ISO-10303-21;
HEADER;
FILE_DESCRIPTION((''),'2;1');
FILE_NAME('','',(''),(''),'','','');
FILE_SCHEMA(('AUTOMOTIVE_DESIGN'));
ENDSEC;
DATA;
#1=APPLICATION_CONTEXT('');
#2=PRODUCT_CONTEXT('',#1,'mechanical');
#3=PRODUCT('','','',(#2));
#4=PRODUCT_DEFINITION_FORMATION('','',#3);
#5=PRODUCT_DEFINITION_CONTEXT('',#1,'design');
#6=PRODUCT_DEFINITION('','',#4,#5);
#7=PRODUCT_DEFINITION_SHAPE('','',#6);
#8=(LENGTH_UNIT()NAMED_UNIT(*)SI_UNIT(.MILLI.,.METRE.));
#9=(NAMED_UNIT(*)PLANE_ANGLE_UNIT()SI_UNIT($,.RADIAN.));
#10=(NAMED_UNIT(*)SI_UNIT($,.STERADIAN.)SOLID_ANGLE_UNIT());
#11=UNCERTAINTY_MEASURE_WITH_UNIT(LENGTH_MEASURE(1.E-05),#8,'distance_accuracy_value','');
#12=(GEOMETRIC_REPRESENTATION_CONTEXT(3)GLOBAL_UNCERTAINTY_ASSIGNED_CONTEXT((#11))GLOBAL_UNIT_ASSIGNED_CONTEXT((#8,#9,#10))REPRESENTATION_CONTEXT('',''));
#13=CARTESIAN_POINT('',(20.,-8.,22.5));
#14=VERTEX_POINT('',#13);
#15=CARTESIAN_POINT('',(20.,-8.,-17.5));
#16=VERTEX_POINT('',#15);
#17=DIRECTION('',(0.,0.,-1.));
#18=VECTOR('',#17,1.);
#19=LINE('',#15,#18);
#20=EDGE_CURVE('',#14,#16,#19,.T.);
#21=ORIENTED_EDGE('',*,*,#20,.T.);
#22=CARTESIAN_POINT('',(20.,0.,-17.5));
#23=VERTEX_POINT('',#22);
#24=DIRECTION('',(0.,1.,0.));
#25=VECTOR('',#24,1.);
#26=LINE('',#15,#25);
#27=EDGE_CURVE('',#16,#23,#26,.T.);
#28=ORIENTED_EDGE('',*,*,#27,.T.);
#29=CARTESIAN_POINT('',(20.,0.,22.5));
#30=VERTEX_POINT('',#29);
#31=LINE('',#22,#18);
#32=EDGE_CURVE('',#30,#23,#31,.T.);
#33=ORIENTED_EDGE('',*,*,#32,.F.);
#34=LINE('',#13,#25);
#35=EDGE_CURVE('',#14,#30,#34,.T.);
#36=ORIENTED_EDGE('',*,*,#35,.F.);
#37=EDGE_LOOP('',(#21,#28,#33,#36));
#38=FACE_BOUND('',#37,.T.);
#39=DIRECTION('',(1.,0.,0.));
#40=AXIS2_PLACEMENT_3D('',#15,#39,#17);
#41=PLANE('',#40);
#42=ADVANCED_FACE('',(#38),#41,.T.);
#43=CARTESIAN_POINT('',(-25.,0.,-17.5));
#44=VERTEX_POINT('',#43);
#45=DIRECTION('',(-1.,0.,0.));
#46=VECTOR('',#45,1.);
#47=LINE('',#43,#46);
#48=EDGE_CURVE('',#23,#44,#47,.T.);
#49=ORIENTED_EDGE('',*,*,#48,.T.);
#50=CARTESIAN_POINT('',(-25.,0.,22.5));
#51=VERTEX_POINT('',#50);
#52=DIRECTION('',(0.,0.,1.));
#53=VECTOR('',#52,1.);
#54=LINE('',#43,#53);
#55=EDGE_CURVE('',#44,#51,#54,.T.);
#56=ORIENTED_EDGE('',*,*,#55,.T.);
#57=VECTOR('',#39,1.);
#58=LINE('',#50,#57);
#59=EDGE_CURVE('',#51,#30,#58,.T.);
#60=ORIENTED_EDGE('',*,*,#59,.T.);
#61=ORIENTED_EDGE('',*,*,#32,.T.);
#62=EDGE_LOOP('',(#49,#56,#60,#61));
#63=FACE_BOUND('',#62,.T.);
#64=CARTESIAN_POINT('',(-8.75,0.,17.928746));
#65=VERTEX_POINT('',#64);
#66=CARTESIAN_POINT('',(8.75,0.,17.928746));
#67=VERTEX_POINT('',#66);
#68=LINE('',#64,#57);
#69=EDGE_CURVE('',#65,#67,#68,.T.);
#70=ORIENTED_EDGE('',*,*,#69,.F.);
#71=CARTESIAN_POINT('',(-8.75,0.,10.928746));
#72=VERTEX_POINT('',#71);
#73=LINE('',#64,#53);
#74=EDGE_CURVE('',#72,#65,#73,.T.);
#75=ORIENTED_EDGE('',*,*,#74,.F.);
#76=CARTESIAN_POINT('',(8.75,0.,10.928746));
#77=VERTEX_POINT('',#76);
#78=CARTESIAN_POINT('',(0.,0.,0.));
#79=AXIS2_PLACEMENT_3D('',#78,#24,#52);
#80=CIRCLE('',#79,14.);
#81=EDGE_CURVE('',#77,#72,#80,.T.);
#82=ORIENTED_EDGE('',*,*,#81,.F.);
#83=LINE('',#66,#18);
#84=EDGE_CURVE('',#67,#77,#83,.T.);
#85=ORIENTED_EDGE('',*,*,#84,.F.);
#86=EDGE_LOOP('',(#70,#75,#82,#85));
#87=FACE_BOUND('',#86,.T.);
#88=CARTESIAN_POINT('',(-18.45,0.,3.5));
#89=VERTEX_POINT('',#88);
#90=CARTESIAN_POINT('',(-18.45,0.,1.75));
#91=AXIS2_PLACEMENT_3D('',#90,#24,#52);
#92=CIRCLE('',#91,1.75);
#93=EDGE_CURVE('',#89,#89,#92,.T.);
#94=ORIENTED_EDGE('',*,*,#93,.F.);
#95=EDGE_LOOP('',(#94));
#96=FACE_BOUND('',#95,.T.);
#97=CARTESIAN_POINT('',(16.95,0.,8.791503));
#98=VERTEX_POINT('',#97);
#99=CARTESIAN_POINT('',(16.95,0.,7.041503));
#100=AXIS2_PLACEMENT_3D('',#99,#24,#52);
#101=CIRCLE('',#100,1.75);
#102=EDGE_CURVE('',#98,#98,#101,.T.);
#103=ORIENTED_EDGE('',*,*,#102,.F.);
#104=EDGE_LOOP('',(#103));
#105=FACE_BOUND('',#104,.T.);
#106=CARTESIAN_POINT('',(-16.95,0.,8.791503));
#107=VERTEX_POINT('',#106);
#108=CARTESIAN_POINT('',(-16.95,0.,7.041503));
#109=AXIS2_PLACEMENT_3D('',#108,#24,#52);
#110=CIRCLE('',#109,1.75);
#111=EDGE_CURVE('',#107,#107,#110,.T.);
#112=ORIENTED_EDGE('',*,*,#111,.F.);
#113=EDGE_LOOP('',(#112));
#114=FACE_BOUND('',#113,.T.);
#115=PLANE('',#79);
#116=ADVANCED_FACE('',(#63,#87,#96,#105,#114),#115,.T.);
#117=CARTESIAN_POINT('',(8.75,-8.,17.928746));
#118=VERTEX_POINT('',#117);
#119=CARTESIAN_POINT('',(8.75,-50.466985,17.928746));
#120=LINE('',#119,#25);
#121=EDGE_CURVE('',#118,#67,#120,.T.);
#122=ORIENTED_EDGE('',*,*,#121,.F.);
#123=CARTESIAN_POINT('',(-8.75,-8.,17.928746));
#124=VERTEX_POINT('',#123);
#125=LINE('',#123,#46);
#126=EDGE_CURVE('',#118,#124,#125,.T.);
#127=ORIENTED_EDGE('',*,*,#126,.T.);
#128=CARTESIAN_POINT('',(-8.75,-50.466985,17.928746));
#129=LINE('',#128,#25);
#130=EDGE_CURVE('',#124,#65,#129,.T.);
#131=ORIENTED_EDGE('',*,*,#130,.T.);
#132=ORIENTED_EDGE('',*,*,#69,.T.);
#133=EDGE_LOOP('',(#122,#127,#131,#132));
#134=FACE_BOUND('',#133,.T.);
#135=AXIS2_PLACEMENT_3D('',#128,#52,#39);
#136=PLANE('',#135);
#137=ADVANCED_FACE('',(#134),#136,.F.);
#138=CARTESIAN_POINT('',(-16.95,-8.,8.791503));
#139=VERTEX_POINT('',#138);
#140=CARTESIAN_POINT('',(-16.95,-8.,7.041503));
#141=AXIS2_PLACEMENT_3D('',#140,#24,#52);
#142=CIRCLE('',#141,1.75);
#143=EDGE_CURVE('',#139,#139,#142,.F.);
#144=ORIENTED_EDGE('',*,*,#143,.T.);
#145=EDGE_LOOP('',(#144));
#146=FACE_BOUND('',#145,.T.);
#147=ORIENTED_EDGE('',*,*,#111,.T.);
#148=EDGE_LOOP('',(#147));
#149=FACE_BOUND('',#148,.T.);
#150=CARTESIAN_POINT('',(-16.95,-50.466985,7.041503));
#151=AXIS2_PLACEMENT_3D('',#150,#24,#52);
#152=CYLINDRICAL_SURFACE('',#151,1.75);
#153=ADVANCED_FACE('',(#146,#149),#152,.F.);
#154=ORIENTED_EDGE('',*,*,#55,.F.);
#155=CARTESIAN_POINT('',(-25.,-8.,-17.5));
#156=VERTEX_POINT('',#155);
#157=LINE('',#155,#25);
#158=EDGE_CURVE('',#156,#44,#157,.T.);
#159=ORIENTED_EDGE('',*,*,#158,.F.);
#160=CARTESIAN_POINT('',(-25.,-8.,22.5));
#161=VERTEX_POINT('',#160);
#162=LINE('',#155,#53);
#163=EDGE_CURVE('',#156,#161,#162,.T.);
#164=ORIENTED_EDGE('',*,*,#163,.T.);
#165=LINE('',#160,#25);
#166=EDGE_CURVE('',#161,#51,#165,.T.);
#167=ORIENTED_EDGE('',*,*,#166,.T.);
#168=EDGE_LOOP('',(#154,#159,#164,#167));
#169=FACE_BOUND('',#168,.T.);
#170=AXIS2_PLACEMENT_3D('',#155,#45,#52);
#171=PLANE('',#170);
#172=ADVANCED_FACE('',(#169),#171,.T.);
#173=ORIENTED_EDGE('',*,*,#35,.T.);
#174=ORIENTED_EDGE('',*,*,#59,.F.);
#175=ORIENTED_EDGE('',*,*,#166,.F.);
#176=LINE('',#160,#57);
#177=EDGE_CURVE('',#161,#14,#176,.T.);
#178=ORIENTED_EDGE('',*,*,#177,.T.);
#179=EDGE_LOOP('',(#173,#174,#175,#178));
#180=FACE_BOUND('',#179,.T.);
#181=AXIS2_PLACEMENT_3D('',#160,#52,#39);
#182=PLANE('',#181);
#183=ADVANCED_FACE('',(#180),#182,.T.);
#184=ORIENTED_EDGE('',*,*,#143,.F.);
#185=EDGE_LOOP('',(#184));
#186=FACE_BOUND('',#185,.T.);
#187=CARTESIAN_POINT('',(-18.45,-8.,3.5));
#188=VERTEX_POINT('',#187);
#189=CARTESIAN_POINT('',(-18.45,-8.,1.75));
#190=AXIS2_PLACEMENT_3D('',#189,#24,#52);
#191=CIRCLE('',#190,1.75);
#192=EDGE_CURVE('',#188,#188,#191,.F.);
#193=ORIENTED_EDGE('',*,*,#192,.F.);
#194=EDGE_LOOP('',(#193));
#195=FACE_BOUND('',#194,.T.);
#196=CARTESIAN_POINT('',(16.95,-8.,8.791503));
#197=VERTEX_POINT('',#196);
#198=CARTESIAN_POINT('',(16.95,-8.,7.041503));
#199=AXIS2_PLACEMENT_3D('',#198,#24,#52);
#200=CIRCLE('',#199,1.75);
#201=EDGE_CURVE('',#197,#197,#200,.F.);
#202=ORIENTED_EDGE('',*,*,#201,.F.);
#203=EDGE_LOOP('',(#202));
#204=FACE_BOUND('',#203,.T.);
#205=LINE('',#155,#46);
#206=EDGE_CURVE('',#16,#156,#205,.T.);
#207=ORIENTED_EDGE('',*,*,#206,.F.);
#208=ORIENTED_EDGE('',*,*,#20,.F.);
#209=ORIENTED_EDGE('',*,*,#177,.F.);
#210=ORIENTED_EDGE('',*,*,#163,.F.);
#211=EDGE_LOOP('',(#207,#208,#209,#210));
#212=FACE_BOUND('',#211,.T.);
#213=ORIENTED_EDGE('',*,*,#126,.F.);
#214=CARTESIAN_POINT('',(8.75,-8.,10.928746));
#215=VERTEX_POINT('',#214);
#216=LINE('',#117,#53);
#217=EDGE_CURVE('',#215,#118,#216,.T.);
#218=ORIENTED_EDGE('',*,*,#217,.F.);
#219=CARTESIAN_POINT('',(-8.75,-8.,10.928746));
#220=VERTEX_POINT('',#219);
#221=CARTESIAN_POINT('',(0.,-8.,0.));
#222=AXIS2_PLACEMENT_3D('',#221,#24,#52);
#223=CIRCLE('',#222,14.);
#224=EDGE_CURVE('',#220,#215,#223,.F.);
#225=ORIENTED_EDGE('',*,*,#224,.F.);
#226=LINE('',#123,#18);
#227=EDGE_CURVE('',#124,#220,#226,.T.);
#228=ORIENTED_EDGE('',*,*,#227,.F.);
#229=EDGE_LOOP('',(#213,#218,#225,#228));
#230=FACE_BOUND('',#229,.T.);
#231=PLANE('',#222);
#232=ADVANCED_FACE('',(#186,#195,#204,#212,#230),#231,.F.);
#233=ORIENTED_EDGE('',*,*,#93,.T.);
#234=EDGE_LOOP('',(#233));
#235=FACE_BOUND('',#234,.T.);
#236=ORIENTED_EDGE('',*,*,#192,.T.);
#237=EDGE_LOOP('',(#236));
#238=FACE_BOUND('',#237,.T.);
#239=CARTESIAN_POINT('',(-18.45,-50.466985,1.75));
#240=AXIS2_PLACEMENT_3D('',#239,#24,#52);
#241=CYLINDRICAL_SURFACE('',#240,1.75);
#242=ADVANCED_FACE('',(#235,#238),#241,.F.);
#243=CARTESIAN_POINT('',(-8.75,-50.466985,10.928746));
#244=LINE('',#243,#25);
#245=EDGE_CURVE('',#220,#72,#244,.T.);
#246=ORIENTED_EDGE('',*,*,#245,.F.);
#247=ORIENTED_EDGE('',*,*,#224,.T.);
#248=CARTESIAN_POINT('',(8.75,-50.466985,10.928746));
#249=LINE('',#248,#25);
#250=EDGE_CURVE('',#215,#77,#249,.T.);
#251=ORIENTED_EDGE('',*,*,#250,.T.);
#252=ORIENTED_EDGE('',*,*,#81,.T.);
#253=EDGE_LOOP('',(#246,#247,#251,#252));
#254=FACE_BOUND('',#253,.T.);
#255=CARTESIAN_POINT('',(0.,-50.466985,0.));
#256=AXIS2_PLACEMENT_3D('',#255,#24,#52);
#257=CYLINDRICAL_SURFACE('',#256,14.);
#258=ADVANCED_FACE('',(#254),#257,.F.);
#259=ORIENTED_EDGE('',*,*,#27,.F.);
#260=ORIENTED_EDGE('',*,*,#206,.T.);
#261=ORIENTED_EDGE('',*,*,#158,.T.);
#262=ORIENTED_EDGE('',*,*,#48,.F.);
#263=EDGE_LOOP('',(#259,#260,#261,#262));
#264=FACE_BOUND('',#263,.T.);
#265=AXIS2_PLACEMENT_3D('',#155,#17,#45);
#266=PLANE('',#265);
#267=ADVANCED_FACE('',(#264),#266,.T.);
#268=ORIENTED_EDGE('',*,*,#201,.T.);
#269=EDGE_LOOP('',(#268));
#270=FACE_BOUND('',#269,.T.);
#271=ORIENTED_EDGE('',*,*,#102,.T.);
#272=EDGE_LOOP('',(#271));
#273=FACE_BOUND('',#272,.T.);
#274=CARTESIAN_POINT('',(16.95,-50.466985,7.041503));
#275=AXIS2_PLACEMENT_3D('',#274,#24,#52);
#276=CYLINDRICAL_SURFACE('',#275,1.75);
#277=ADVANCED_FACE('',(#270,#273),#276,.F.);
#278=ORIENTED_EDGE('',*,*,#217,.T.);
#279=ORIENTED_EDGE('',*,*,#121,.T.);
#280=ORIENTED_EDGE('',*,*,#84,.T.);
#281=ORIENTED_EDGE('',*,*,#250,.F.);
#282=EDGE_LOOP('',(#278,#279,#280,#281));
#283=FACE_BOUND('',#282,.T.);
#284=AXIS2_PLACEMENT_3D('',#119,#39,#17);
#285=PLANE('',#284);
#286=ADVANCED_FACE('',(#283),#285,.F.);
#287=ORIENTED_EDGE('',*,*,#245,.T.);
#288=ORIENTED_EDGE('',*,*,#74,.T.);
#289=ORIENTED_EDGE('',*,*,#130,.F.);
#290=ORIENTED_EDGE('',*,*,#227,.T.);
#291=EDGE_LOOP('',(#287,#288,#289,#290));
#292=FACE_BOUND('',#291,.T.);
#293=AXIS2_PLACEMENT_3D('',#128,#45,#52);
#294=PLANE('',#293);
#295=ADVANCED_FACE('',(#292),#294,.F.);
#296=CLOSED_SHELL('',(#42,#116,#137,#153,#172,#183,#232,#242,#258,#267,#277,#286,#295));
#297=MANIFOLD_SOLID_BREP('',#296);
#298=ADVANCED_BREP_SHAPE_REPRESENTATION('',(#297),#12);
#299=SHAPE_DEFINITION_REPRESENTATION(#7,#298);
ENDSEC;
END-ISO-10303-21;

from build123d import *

# Parameters (mm, degrees)
SKETCH2_W                          = 45
SKETCH2_H                          = 40
STEPPER_SLIDER_BOSS_EXTRUDE1_DEPTH = 8
SKETCH1_R                          = 1.75
STEPPER_HOLE_CUT_EXTRUDE1_DEPTH    = 8


with BuildPart() as part:
    # Sketch2 → Stepper Slider Boss-Extrude1 (new body)
    with BuildSketch(Plane(origin=(0, 0, 0), x_dir=(1, 0, 0), z_dir=(0, 1, 0))):
        with Locations((-2.5, -2.5)):
            Rectangle(SKETCH2_W, SKETCH2_H)
    extrude(amount=-STEPPER_SLIDER_BOSS_EXTRUDE1_DEPTH)

    # Sketch1 → Stepper Hole Cut-Extrude1 (cut)
    with BuildSketch(Plane(origin=(0, 0, 0), x_dir=(1, 0, 0), z_dir=(0, 1, 0))):
        with Locations(Location((-18.45, -1.75, 0), (0, 0, 270))):
            Circle(SKETCH1_R)
        with Locations(Location((16.95, -7.041502622, 0), (0, 0, 270))):
            Circle(SKETCH1_R)
        with Locations(Location((-16.95, -7.041502622, 0), (0, 0, 270))):
            Circle(SKETCH1_R)
        with BuildLine():
            Line((8.75, -17.928746497), (8.75, -10.928746497))
            ThreePointArc((8.75, -10.928746497), (0, 14), (-8.75, -10.928746497))
            Line((-8.75, -10.928746497), (-8.75, -17.928746497))
            Line((-8.75, -17.928746497), (8.75, -17.928746497))
        make_face()
    extrude(amount=-STEPPER_HOLE_CUT_EXTRUDE1_DEPTH, mode=Mode.SUBTRACT)


solid = part.part
